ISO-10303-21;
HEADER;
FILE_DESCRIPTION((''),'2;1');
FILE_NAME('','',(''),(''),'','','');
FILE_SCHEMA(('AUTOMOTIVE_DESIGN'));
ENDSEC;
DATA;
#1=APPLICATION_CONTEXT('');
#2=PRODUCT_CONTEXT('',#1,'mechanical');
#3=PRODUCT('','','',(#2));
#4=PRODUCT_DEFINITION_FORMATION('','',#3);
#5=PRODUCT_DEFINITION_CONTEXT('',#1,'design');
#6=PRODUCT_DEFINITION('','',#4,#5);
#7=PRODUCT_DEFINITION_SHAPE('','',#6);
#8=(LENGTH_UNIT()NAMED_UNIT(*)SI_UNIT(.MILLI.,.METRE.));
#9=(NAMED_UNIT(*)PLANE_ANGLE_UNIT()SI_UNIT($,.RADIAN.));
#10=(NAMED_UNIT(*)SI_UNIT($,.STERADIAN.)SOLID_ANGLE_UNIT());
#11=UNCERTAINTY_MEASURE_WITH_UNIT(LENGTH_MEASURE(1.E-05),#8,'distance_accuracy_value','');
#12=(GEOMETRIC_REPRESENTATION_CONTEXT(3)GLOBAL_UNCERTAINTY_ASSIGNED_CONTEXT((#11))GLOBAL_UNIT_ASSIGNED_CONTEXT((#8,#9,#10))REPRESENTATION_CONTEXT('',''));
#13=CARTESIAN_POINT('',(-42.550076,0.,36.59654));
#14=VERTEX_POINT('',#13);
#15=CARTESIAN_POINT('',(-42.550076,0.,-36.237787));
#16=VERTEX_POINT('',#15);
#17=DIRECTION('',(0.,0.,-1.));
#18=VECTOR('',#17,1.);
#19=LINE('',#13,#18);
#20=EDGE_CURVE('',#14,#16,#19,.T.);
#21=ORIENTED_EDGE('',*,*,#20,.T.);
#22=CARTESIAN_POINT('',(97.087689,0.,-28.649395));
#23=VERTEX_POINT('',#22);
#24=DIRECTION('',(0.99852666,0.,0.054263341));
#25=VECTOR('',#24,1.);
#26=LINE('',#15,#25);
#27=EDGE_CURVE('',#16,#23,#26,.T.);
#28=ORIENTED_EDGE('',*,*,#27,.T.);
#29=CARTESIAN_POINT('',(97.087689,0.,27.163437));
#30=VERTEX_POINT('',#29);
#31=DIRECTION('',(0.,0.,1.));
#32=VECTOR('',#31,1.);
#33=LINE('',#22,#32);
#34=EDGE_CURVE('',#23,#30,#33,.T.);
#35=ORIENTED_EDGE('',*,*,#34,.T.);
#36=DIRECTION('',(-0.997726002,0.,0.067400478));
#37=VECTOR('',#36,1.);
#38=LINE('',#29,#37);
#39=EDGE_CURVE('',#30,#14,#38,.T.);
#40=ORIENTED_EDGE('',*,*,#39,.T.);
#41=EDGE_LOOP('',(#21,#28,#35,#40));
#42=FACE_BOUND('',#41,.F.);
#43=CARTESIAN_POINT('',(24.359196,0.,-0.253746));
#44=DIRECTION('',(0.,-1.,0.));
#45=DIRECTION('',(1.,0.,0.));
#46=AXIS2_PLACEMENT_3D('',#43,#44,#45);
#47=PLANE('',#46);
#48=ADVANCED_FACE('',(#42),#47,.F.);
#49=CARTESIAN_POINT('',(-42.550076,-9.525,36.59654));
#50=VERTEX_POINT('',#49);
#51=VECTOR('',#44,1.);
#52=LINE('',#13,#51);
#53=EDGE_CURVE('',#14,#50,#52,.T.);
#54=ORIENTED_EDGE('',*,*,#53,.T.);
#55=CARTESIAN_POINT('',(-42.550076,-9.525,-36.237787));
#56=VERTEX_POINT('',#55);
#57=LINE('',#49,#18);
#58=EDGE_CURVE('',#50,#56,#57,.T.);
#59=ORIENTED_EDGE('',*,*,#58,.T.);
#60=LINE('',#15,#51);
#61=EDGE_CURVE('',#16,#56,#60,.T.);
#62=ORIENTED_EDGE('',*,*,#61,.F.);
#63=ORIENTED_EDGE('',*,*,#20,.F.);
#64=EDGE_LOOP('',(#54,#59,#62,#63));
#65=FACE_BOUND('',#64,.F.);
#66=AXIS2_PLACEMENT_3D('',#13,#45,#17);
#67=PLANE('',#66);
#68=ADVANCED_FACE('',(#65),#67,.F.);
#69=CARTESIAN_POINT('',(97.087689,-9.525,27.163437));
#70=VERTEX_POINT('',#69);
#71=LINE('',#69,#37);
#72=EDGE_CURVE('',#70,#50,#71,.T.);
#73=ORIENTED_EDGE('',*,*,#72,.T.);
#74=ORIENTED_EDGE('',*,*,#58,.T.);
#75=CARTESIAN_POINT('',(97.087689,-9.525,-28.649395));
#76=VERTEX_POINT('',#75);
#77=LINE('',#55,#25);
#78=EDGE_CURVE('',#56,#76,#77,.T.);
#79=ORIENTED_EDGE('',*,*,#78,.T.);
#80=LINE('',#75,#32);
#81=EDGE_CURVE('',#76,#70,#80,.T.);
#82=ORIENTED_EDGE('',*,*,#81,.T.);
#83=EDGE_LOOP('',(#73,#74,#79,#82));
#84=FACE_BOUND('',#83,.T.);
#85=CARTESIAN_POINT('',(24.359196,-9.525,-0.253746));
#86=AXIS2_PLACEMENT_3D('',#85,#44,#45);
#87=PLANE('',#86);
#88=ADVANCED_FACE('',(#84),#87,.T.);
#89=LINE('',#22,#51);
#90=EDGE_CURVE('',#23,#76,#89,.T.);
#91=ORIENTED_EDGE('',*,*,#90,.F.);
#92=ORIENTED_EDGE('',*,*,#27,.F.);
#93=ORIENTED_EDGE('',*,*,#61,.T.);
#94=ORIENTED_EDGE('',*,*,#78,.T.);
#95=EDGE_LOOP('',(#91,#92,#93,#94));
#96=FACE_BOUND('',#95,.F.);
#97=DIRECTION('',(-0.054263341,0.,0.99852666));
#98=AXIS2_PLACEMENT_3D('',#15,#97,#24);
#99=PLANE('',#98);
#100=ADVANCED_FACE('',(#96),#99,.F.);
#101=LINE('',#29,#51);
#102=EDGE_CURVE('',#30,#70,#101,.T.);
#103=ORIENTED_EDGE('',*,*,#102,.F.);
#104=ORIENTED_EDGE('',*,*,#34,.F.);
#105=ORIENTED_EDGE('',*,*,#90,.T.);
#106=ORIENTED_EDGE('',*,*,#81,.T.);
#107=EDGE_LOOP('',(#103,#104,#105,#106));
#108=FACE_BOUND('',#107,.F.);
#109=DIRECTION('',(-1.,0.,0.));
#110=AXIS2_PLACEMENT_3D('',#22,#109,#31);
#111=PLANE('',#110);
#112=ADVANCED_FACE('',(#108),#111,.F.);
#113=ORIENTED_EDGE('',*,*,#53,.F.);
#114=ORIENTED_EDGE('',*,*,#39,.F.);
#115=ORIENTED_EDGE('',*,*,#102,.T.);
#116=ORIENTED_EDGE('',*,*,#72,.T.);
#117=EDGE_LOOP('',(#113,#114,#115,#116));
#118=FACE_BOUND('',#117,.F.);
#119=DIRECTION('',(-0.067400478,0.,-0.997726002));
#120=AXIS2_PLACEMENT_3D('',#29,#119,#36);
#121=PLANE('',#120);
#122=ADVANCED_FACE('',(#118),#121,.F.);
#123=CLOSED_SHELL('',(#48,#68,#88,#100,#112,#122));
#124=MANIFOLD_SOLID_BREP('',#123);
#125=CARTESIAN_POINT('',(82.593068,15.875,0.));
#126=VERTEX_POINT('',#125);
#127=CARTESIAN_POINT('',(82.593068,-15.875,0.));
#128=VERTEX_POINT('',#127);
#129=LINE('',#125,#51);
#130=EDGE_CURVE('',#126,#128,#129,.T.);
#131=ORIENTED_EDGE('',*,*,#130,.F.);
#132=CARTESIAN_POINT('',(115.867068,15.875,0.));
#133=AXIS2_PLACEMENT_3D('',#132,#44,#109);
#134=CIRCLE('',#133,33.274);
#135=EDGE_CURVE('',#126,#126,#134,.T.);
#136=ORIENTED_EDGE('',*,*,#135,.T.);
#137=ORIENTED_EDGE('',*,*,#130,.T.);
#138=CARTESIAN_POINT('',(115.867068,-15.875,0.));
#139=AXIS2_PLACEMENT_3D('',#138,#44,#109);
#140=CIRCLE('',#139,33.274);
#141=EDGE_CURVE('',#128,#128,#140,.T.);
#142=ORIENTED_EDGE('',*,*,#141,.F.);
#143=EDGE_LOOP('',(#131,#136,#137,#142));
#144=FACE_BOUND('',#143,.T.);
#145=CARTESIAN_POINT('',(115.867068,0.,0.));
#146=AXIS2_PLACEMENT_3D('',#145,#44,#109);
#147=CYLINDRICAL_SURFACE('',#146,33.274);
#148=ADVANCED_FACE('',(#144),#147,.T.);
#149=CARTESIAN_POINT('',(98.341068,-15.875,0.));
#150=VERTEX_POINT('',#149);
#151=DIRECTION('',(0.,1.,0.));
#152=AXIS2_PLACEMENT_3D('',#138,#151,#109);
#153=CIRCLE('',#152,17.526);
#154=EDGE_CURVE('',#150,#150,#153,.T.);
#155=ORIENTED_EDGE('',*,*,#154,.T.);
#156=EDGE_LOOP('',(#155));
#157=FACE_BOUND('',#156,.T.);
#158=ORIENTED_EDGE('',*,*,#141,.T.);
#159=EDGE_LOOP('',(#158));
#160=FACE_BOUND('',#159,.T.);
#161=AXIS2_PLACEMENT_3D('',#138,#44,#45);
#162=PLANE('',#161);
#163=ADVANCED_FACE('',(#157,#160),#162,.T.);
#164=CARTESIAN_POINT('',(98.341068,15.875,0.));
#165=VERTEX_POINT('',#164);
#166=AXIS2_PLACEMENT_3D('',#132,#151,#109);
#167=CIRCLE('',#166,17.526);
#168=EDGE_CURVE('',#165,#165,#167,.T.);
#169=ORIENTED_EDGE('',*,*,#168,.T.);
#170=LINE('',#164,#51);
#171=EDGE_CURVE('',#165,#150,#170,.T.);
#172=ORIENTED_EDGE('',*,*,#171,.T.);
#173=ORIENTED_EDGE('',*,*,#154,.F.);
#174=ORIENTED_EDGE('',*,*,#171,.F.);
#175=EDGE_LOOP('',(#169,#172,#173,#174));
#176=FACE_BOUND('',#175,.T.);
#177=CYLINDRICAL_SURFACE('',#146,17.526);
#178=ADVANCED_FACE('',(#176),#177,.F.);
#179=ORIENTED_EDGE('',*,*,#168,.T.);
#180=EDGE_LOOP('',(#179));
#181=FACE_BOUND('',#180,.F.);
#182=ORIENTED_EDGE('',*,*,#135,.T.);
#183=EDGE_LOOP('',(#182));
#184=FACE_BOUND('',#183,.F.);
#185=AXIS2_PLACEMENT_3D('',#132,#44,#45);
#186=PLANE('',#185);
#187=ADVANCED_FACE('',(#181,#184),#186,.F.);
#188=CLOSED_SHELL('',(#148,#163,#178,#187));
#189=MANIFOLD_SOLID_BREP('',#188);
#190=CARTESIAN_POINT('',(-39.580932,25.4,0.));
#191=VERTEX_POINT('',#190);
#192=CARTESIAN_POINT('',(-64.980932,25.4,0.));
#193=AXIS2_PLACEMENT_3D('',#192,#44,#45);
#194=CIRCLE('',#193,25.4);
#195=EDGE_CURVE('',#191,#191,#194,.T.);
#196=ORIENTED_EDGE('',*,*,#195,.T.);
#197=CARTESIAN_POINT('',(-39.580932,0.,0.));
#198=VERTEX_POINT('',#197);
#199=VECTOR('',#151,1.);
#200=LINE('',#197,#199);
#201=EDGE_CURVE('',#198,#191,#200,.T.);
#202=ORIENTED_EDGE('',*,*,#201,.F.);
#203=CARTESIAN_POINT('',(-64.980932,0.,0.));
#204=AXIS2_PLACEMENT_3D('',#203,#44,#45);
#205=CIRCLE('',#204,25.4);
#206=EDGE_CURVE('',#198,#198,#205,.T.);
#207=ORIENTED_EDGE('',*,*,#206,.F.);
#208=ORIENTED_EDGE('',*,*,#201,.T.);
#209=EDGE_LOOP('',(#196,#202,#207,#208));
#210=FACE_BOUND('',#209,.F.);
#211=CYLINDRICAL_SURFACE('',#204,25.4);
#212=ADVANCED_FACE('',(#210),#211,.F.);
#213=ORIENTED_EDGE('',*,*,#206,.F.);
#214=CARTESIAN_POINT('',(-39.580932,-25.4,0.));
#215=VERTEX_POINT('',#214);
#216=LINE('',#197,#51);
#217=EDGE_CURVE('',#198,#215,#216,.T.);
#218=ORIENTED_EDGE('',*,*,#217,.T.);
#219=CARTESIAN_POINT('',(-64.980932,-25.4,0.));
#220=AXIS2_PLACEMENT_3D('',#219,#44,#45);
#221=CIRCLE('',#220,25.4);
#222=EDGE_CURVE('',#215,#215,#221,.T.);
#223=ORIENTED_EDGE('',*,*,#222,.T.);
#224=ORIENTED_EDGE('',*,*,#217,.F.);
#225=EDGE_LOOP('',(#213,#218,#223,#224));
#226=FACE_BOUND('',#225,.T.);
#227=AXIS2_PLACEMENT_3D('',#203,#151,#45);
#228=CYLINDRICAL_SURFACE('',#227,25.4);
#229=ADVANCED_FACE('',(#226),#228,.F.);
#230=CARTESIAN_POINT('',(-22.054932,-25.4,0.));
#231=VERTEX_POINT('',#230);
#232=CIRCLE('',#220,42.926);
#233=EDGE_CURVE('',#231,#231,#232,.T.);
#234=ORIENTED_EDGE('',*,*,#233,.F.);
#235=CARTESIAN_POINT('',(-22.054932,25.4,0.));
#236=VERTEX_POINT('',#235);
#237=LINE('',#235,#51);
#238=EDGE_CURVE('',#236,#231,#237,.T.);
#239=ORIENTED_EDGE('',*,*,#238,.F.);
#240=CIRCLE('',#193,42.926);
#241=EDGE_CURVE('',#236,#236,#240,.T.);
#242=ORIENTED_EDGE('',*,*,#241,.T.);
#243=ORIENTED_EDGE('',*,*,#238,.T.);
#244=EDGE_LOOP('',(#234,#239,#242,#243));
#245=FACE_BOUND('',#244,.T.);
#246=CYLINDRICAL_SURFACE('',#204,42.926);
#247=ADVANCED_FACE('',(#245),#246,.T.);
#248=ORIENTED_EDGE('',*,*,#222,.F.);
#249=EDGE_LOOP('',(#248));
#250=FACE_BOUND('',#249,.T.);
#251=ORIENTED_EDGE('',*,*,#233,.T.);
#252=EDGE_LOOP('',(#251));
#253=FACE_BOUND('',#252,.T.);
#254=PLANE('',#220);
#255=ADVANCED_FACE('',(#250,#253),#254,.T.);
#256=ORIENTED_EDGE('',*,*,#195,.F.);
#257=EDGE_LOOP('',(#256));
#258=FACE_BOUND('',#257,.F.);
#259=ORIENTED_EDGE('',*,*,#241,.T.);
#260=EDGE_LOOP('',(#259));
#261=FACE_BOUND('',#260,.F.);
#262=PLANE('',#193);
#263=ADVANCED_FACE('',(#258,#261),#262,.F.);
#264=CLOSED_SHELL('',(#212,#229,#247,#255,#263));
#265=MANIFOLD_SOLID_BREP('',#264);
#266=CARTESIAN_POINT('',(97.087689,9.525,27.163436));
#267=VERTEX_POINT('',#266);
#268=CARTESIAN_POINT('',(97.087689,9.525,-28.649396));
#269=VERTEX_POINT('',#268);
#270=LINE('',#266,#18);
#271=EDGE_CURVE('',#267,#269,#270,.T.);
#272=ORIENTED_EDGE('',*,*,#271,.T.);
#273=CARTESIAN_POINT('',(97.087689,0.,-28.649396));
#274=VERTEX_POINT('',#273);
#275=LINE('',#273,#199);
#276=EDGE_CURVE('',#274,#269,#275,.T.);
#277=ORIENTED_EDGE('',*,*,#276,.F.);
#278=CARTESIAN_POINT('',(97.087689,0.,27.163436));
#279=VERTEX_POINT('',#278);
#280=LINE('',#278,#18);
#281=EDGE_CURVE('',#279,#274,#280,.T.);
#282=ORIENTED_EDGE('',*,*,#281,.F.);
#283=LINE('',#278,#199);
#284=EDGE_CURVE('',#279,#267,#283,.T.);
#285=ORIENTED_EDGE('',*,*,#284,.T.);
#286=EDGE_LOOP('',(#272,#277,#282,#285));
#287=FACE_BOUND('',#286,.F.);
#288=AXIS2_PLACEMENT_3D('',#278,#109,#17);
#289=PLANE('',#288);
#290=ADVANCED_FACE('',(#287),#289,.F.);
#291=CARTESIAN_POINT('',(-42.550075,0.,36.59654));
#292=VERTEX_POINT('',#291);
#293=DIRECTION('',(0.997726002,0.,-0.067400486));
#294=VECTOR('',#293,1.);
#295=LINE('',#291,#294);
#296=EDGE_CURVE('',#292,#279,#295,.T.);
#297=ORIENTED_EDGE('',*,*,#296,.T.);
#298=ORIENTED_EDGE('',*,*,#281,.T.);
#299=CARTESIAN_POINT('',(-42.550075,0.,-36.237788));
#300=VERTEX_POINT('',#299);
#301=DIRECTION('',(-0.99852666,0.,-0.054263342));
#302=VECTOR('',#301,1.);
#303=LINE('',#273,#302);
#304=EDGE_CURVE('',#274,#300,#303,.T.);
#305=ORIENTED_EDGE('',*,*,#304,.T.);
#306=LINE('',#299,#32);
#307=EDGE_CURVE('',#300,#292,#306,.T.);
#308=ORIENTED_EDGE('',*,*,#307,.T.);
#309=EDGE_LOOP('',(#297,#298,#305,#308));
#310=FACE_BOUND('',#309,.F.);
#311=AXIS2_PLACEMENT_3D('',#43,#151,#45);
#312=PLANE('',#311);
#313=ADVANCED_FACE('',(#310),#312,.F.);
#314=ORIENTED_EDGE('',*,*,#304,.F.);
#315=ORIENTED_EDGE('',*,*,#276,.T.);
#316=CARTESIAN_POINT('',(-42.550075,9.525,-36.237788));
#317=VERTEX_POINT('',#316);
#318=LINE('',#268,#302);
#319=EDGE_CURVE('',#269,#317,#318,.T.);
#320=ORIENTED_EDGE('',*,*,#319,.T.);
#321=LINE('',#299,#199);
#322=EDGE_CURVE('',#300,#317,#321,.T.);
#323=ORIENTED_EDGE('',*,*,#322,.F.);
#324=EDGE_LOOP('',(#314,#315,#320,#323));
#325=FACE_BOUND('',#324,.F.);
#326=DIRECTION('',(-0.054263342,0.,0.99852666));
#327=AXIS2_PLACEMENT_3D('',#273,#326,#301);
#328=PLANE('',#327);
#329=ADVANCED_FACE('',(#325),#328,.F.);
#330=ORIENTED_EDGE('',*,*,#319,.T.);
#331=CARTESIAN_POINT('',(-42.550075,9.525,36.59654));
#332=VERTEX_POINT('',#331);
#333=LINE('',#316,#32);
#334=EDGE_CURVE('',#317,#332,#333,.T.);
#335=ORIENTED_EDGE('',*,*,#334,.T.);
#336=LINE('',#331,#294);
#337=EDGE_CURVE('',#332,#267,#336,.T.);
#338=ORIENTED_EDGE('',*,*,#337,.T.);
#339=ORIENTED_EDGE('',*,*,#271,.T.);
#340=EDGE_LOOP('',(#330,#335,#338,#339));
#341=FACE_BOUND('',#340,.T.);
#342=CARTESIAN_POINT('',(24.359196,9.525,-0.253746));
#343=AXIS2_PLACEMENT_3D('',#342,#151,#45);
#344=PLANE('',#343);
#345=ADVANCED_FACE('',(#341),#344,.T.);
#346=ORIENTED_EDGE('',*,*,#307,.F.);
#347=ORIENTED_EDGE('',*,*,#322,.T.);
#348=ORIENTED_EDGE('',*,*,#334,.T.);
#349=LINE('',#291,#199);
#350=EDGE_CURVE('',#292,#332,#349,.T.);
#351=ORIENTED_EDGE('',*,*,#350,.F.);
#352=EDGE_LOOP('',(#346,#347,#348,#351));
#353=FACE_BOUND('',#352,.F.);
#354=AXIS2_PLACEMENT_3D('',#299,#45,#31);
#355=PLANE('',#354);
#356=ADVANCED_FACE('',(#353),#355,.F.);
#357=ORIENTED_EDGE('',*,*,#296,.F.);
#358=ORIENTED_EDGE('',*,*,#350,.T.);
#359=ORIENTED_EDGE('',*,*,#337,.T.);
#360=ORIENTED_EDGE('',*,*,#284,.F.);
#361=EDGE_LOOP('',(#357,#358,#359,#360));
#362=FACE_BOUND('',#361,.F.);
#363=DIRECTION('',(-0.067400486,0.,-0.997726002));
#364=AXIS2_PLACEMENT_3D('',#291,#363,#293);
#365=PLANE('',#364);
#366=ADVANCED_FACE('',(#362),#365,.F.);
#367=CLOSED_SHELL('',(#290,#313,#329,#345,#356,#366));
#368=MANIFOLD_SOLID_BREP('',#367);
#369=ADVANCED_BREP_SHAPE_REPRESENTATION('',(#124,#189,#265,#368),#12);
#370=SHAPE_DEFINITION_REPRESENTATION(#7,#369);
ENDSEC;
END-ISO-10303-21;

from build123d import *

# Parameters (mm, degrees)
F1_DEPTH = 15.875
F0_R     = 42.926
F0_R_2   = 25.4
F2_DEPTH = 25.4
F3_DEPTH = 25.4
F4_DEPTH = 15.875
F6_DEPTH = 9.525
F7_DEPTH = 9.525


with BuildPart() as f1:
    # F0 (on Front) → F1 (new body)
    with BuildSketch(Plane.XZ):
        with BuildLine():
            ThreePointArc((149.141068, 0), (115.867068, 33.274), (82.593068, 0))
            ThreePointArc((82.593068, 0), (115.867068, -33.274), (149.141068, 0))
        make_face()
        with BuildLine():
            ThreePointArc((133.393068, 0), (115.867068, -17.526), (98.341068, 0))
            ThreePointArc((98.341068, 0), (115.867068, 17.526), (133.393068, 0))
        make_face(mode=Mode.SUBTRACT)
    extrude(amount=F1_DEPTH)

    # F0 (on Front) → F4 (join)
    with BuildSketch(Plane.XZ):
        with BuildLine():
            ThreePointArc((149.141068, 0), (115.867068, 33.274), (82.593068, 0))
            ThreePointArc((82.593068, 0), (115.867068, -33.274), (149.141068, 0))
        make_face()
        with BuildLine():
            ThreePointArc((133.393068, 0), (115.867068, -17.526), (98.341068, 0))
            ThreePointArc((98.341068, 0), (115.867068, 17.526), (133.393068, 0))
        make_face(mode=Mode.SUBTRACT)
    extrude(amount=-F4_DEPTH)


with BuildPart() as f2:
    # F0 (on Front) → F2 (new body)
    with BuildSketch(Plane.XZ):
        with Locations((-64.980932, 0)):
            Circle(F0_R)
        with Locations((-64.980932, 0)):
            Circle(F0_R_2, mode=Mode.SUBTRACT)
    extrude(amount=F2_DEPTH)

    # F0 (on Front) → F3 (join)
    with BuildSketch(Plane.XZ):
        with Locations((-64.980932, 0)):
            Circle(F0_R)
        with Locations((-64.980932, 0)):
            Circle(F0_R_2, mode=Mode.SUBTRACT)
    extrude(amount=-F3_DEPTH)


with BuildPart() as f6:
    # F5 (on Front) → F6 (new body)
    with BuildSketch(Plane.XZ):
        Polygon((97.087689, 27.163437), (-42.550076, 36.59654), (-42.550076, -36.237787), (97.087689, -28.649395), align=None)
    extrude(amount=F6_DEPTH)


with BuildPart() as f7:
    # F6_face (on face) → F7 (new body)
    with BuildSketch(Plane(origin=(24.189527, 0, -0.261462), x_dir=(1, 0, 0), z_dir=(0, 1, 0))):
        Polygon((-66.739602, 35.976326), (-66.739602, -36.858002), (72.898162, -27.424898), (72.898162, 28.387934), align=None)
    extrude(amount=F7_DEPTH)


solid = Compound([f1.part, f2.part, f6.part, f7.part])
